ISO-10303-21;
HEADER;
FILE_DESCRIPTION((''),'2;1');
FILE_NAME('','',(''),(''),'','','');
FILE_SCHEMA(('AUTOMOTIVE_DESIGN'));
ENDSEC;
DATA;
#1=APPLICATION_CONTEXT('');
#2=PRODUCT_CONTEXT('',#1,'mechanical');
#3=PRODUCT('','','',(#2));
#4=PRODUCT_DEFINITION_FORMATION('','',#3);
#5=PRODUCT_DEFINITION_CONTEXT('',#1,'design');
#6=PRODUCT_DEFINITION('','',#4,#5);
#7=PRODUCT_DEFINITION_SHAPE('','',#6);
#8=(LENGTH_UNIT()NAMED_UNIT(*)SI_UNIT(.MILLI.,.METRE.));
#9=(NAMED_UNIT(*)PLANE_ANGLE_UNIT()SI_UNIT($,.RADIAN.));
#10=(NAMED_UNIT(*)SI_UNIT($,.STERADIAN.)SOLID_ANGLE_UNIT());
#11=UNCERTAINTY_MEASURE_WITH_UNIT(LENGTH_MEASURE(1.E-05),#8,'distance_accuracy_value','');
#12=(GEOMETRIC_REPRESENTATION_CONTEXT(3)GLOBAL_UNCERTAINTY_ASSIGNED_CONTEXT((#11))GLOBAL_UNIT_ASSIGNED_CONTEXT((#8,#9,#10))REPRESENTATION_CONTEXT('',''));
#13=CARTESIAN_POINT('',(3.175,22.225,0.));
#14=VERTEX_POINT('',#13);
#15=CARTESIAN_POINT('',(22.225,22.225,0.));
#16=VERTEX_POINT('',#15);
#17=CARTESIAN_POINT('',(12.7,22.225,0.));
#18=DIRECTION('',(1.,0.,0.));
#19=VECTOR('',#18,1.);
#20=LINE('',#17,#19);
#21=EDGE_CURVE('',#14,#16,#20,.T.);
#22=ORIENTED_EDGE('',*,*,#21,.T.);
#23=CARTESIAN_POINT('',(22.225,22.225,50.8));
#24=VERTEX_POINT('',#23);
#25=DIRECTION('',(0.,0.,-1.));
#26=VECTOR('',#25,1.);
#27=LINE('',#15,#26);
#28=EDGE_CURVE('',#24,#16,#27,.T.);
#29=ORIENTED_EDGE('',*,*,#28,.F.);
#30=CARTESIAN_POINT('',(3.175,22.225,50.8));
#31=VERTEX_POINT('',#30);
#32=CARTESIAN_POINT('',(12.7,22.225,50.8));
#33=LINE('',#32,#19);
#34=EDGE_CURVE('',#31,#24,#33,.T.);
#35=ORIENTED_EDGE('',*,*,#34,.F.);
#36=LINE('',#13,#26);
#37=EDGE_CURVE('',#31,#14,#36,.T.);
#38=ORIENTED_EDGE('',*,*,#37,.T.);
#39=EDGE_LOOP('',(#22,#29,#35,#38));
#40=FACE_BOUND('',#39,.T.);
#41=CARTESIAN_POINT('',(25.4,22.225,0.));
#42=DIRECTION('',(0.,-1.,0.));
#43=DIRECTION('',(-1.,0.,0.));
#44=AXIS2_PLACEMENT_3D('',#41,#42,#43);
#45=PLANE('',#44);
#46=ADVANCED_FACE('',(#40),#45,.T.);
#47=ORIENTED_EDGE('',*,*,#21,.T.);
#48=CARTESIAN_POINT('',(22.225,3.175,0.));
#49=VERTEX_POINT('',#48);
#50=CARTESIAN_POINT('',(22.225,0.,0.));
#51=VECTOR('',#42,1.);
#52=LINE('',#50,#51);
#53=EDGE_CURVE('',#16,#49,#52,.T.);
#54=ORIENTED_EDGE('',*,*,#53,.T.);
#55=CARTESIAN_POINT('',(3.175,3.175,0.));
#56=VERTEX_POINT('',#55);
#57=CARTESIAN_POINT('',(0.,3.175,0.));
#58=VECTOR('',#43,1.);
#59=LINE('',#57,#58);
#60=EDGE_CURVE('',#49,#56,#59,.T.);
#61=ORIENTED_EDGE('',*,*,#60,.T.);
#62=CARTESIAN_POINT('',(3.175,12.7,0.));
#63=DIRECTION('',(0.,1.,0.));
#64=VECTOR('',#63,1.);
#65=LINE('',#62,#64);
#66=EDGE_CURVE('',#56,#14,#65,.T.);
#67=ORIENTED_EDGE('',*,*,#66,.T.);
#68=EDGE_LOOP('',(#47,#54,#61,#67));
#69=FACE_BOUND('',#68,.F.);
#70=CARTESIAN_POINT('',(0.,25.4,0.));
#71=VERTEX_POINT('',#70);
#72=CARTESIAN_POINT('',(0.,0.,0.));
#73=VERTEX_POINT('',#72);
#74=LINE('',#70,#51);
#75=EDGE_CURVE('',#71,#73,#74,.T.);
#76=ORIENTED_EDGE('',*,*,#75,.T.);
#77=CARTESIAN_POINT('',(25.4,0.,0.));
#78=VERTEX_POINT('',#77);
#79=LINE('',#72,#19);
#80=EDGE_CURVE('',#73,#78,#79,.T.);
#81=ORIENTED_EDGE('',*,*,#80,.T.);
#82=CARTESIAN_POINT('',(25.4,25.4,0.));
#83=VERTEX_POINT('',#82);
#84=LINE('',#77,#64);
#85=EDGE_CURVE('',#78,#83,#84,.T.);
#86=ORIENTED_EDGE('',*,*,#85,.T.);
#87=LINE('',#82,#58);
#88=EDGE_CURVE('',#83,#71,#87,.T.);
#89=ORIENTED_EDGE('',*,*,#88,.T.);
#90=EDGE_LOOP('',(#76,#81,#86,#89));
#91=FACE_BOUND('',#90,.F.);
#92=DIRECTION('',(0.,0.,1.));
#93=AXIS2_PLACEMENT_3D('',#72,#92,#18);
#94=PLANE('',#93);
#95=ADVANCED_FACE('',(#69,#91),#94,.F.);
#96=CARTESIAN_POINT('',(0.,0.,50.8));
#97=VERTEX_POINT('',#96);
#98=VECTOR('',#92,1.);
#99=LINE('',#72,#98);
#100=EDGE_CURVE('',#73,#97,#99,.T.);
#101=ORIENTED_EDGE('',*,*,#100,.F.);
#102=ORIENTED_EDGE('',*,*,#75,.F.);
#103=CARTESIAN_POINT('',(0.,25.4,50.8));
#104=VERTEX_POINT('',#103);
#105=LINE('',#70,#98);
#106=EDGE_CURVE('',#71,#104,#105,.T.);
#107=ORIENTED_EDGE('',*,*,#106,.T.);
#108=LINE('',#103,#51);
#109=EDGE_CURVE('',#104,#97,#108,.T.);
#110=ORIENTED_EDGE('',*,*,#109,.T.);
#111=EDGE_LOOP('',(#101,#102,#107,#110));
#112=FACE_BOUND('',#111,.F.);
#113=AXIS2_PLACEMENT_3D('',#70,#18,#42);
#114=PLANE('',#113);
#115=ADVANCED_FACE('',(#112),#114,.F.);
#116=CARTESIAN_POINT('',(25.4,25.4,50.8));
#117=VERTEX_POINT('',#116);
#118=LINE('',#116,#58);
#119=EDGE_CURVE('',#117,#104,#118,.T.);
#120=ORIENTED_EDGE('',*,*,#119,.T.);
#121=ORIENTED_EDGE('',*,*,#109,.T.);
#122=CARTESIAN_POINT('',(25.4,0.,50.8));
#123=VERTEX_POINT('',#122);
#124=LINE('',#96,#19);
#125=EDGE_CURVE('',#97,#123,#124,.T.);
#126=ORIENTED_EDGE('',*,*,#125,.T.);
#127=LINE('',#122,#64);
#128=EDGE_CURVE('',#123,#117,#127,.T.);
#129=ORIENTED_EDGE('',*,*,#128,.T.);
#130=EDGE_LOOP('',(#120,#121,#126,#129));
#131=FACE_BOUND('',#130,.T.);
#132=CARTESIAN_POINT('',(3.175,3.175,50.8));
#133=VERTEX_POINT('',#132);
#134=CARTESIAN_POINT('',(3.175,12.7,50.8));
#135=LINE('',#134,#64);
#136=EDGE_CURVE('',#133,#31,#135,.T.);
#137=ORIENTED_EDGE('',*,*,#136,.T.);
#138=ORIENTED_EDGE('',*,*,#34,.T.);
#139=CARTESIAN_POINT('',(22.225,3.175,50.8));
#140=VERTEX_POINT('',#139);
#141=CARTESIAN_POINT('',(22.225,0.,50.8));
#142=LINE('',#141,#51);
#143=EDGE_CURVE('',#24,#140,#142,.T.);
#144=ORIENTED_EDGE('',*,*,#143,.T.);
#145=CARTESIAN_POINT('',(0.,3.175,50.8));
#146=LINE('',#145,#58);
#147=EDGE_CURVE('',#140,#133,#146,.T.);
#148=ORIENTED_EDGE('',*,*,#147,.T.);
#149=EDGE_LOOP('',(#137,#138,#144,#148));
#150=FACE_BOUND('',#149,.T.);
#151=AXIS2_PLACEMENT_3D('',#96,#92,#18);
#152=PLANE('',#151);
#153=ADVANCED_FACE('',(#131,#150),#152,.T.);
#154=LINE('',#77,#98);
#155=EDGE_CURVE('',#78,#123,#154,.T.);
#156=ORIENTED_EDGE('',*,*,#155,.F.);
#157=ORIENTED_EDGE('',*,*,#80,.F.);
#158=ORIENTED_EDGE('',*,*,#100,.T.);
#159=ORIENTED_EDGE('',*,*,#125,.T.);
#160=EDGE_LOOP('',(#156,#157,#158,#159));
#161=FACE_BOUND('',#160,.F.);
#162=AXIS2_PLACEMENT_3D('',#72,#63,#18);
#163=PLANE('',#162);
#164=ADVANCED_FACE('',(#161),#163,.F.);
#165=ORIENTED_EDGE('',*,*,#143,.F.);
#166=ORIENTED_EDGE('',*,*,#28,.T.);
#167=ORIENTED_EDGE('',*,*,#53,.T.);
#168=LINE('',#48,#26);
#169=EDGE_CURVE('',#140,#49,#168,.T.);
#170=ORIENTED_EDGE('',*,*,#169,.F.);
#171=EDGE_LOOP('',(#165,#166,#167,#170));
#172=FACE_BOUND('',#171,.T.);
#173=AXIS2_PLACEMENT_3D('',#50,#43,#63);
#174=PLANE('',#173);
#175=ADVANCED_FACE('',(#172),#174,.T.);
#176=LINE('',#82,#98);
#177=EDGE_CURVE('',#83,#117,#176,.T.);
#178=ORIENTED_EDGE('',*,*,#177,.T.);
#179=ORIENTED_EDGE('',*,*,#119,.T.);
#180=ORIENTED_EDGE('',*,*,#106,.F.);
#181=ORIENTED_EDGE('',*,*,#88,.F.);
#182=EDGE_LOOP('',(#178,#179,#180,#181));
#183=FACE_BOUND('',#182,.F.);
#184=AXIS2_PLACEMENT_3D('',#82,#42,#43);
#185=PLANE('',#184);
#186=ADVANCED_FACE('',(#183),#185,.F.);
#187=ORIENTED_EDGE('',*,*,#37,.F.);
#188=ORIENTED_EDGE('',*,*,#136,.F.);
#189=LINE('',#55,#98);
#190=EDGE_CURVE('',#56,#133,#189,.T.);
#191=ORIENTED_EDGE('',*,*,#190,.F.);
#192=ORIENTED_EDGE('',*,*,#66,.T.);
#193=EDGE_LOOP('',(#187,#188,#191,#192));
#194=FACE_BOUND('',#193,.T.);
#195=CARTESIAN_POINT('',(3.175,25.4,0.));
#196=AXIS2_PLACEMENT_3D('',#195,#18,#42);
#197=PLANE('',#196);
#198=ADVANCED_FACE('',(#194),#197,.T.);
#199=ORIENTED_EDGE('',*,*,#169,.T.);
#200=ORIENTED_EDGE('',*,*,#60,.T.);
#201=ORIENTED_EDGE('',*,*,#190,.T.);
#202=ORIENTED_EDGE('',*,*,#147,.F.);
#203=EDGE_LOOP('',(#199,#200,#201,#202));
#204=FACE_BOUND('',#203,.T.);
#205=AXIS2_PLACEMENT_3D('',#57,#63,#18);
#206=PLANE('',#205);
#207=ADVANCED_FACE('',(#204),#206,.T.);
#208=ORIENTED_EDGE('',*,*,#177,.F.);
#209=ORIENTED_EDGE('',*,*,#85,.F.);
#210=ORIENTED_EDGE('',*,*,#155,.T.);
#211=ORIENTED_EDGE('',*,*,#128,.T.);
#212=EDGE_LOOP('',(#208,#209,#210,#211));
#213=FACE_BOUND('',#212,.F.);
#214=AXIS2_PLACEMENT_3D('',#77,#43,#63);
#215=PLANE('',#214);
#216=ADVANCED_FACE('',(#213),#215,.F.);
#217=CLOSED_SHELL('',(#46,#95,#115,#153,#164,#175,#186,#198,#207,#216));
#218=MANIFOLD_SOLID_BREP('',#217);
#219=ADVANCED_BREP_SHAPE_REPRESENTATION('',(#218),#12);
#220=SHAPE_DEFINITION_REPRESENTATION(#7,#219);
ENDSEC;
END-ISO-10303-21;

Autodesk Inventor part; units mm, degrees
ref_plane "YZ Plane" through (0, 0, 0) normal (1, 0, 0) x (0, 1, 0)
ref_plane "XZ Plane" through (0, 0, 0) normal (0, 1, 0) x (-1, 0, 0)
ref_plane "XY Plane" through (0, 0, 0) normal (0, 0, 1) x (1, 0, 0)
sketch "Sketch1" plane through (0, 0, 0) normal (0, 0, 1) x (1, 0, 0)
  line L0 (0, 0) -> (25.4, 0)
  line L1 (25.4, 0) -> (25.4, 25.4)
  line L2 (25.4, 25.4) -> (0, 25.4)
  line L3 (0, 25.4) -> (0, 0)
  dimension "d0" = 25.4
  dimension "d1" = 25.4
extrude "Extrusion1" add sketch "Sketch1" along normal blind 50.8
shell "Shell1" thickness 3.175 removed faces 2 at (8.4667, 16.9333, 0) at (8.4667, 16.9333, 50.8)
properties part number "Conveyor_Roller_BearingMount" material "Aluminum-6061"
